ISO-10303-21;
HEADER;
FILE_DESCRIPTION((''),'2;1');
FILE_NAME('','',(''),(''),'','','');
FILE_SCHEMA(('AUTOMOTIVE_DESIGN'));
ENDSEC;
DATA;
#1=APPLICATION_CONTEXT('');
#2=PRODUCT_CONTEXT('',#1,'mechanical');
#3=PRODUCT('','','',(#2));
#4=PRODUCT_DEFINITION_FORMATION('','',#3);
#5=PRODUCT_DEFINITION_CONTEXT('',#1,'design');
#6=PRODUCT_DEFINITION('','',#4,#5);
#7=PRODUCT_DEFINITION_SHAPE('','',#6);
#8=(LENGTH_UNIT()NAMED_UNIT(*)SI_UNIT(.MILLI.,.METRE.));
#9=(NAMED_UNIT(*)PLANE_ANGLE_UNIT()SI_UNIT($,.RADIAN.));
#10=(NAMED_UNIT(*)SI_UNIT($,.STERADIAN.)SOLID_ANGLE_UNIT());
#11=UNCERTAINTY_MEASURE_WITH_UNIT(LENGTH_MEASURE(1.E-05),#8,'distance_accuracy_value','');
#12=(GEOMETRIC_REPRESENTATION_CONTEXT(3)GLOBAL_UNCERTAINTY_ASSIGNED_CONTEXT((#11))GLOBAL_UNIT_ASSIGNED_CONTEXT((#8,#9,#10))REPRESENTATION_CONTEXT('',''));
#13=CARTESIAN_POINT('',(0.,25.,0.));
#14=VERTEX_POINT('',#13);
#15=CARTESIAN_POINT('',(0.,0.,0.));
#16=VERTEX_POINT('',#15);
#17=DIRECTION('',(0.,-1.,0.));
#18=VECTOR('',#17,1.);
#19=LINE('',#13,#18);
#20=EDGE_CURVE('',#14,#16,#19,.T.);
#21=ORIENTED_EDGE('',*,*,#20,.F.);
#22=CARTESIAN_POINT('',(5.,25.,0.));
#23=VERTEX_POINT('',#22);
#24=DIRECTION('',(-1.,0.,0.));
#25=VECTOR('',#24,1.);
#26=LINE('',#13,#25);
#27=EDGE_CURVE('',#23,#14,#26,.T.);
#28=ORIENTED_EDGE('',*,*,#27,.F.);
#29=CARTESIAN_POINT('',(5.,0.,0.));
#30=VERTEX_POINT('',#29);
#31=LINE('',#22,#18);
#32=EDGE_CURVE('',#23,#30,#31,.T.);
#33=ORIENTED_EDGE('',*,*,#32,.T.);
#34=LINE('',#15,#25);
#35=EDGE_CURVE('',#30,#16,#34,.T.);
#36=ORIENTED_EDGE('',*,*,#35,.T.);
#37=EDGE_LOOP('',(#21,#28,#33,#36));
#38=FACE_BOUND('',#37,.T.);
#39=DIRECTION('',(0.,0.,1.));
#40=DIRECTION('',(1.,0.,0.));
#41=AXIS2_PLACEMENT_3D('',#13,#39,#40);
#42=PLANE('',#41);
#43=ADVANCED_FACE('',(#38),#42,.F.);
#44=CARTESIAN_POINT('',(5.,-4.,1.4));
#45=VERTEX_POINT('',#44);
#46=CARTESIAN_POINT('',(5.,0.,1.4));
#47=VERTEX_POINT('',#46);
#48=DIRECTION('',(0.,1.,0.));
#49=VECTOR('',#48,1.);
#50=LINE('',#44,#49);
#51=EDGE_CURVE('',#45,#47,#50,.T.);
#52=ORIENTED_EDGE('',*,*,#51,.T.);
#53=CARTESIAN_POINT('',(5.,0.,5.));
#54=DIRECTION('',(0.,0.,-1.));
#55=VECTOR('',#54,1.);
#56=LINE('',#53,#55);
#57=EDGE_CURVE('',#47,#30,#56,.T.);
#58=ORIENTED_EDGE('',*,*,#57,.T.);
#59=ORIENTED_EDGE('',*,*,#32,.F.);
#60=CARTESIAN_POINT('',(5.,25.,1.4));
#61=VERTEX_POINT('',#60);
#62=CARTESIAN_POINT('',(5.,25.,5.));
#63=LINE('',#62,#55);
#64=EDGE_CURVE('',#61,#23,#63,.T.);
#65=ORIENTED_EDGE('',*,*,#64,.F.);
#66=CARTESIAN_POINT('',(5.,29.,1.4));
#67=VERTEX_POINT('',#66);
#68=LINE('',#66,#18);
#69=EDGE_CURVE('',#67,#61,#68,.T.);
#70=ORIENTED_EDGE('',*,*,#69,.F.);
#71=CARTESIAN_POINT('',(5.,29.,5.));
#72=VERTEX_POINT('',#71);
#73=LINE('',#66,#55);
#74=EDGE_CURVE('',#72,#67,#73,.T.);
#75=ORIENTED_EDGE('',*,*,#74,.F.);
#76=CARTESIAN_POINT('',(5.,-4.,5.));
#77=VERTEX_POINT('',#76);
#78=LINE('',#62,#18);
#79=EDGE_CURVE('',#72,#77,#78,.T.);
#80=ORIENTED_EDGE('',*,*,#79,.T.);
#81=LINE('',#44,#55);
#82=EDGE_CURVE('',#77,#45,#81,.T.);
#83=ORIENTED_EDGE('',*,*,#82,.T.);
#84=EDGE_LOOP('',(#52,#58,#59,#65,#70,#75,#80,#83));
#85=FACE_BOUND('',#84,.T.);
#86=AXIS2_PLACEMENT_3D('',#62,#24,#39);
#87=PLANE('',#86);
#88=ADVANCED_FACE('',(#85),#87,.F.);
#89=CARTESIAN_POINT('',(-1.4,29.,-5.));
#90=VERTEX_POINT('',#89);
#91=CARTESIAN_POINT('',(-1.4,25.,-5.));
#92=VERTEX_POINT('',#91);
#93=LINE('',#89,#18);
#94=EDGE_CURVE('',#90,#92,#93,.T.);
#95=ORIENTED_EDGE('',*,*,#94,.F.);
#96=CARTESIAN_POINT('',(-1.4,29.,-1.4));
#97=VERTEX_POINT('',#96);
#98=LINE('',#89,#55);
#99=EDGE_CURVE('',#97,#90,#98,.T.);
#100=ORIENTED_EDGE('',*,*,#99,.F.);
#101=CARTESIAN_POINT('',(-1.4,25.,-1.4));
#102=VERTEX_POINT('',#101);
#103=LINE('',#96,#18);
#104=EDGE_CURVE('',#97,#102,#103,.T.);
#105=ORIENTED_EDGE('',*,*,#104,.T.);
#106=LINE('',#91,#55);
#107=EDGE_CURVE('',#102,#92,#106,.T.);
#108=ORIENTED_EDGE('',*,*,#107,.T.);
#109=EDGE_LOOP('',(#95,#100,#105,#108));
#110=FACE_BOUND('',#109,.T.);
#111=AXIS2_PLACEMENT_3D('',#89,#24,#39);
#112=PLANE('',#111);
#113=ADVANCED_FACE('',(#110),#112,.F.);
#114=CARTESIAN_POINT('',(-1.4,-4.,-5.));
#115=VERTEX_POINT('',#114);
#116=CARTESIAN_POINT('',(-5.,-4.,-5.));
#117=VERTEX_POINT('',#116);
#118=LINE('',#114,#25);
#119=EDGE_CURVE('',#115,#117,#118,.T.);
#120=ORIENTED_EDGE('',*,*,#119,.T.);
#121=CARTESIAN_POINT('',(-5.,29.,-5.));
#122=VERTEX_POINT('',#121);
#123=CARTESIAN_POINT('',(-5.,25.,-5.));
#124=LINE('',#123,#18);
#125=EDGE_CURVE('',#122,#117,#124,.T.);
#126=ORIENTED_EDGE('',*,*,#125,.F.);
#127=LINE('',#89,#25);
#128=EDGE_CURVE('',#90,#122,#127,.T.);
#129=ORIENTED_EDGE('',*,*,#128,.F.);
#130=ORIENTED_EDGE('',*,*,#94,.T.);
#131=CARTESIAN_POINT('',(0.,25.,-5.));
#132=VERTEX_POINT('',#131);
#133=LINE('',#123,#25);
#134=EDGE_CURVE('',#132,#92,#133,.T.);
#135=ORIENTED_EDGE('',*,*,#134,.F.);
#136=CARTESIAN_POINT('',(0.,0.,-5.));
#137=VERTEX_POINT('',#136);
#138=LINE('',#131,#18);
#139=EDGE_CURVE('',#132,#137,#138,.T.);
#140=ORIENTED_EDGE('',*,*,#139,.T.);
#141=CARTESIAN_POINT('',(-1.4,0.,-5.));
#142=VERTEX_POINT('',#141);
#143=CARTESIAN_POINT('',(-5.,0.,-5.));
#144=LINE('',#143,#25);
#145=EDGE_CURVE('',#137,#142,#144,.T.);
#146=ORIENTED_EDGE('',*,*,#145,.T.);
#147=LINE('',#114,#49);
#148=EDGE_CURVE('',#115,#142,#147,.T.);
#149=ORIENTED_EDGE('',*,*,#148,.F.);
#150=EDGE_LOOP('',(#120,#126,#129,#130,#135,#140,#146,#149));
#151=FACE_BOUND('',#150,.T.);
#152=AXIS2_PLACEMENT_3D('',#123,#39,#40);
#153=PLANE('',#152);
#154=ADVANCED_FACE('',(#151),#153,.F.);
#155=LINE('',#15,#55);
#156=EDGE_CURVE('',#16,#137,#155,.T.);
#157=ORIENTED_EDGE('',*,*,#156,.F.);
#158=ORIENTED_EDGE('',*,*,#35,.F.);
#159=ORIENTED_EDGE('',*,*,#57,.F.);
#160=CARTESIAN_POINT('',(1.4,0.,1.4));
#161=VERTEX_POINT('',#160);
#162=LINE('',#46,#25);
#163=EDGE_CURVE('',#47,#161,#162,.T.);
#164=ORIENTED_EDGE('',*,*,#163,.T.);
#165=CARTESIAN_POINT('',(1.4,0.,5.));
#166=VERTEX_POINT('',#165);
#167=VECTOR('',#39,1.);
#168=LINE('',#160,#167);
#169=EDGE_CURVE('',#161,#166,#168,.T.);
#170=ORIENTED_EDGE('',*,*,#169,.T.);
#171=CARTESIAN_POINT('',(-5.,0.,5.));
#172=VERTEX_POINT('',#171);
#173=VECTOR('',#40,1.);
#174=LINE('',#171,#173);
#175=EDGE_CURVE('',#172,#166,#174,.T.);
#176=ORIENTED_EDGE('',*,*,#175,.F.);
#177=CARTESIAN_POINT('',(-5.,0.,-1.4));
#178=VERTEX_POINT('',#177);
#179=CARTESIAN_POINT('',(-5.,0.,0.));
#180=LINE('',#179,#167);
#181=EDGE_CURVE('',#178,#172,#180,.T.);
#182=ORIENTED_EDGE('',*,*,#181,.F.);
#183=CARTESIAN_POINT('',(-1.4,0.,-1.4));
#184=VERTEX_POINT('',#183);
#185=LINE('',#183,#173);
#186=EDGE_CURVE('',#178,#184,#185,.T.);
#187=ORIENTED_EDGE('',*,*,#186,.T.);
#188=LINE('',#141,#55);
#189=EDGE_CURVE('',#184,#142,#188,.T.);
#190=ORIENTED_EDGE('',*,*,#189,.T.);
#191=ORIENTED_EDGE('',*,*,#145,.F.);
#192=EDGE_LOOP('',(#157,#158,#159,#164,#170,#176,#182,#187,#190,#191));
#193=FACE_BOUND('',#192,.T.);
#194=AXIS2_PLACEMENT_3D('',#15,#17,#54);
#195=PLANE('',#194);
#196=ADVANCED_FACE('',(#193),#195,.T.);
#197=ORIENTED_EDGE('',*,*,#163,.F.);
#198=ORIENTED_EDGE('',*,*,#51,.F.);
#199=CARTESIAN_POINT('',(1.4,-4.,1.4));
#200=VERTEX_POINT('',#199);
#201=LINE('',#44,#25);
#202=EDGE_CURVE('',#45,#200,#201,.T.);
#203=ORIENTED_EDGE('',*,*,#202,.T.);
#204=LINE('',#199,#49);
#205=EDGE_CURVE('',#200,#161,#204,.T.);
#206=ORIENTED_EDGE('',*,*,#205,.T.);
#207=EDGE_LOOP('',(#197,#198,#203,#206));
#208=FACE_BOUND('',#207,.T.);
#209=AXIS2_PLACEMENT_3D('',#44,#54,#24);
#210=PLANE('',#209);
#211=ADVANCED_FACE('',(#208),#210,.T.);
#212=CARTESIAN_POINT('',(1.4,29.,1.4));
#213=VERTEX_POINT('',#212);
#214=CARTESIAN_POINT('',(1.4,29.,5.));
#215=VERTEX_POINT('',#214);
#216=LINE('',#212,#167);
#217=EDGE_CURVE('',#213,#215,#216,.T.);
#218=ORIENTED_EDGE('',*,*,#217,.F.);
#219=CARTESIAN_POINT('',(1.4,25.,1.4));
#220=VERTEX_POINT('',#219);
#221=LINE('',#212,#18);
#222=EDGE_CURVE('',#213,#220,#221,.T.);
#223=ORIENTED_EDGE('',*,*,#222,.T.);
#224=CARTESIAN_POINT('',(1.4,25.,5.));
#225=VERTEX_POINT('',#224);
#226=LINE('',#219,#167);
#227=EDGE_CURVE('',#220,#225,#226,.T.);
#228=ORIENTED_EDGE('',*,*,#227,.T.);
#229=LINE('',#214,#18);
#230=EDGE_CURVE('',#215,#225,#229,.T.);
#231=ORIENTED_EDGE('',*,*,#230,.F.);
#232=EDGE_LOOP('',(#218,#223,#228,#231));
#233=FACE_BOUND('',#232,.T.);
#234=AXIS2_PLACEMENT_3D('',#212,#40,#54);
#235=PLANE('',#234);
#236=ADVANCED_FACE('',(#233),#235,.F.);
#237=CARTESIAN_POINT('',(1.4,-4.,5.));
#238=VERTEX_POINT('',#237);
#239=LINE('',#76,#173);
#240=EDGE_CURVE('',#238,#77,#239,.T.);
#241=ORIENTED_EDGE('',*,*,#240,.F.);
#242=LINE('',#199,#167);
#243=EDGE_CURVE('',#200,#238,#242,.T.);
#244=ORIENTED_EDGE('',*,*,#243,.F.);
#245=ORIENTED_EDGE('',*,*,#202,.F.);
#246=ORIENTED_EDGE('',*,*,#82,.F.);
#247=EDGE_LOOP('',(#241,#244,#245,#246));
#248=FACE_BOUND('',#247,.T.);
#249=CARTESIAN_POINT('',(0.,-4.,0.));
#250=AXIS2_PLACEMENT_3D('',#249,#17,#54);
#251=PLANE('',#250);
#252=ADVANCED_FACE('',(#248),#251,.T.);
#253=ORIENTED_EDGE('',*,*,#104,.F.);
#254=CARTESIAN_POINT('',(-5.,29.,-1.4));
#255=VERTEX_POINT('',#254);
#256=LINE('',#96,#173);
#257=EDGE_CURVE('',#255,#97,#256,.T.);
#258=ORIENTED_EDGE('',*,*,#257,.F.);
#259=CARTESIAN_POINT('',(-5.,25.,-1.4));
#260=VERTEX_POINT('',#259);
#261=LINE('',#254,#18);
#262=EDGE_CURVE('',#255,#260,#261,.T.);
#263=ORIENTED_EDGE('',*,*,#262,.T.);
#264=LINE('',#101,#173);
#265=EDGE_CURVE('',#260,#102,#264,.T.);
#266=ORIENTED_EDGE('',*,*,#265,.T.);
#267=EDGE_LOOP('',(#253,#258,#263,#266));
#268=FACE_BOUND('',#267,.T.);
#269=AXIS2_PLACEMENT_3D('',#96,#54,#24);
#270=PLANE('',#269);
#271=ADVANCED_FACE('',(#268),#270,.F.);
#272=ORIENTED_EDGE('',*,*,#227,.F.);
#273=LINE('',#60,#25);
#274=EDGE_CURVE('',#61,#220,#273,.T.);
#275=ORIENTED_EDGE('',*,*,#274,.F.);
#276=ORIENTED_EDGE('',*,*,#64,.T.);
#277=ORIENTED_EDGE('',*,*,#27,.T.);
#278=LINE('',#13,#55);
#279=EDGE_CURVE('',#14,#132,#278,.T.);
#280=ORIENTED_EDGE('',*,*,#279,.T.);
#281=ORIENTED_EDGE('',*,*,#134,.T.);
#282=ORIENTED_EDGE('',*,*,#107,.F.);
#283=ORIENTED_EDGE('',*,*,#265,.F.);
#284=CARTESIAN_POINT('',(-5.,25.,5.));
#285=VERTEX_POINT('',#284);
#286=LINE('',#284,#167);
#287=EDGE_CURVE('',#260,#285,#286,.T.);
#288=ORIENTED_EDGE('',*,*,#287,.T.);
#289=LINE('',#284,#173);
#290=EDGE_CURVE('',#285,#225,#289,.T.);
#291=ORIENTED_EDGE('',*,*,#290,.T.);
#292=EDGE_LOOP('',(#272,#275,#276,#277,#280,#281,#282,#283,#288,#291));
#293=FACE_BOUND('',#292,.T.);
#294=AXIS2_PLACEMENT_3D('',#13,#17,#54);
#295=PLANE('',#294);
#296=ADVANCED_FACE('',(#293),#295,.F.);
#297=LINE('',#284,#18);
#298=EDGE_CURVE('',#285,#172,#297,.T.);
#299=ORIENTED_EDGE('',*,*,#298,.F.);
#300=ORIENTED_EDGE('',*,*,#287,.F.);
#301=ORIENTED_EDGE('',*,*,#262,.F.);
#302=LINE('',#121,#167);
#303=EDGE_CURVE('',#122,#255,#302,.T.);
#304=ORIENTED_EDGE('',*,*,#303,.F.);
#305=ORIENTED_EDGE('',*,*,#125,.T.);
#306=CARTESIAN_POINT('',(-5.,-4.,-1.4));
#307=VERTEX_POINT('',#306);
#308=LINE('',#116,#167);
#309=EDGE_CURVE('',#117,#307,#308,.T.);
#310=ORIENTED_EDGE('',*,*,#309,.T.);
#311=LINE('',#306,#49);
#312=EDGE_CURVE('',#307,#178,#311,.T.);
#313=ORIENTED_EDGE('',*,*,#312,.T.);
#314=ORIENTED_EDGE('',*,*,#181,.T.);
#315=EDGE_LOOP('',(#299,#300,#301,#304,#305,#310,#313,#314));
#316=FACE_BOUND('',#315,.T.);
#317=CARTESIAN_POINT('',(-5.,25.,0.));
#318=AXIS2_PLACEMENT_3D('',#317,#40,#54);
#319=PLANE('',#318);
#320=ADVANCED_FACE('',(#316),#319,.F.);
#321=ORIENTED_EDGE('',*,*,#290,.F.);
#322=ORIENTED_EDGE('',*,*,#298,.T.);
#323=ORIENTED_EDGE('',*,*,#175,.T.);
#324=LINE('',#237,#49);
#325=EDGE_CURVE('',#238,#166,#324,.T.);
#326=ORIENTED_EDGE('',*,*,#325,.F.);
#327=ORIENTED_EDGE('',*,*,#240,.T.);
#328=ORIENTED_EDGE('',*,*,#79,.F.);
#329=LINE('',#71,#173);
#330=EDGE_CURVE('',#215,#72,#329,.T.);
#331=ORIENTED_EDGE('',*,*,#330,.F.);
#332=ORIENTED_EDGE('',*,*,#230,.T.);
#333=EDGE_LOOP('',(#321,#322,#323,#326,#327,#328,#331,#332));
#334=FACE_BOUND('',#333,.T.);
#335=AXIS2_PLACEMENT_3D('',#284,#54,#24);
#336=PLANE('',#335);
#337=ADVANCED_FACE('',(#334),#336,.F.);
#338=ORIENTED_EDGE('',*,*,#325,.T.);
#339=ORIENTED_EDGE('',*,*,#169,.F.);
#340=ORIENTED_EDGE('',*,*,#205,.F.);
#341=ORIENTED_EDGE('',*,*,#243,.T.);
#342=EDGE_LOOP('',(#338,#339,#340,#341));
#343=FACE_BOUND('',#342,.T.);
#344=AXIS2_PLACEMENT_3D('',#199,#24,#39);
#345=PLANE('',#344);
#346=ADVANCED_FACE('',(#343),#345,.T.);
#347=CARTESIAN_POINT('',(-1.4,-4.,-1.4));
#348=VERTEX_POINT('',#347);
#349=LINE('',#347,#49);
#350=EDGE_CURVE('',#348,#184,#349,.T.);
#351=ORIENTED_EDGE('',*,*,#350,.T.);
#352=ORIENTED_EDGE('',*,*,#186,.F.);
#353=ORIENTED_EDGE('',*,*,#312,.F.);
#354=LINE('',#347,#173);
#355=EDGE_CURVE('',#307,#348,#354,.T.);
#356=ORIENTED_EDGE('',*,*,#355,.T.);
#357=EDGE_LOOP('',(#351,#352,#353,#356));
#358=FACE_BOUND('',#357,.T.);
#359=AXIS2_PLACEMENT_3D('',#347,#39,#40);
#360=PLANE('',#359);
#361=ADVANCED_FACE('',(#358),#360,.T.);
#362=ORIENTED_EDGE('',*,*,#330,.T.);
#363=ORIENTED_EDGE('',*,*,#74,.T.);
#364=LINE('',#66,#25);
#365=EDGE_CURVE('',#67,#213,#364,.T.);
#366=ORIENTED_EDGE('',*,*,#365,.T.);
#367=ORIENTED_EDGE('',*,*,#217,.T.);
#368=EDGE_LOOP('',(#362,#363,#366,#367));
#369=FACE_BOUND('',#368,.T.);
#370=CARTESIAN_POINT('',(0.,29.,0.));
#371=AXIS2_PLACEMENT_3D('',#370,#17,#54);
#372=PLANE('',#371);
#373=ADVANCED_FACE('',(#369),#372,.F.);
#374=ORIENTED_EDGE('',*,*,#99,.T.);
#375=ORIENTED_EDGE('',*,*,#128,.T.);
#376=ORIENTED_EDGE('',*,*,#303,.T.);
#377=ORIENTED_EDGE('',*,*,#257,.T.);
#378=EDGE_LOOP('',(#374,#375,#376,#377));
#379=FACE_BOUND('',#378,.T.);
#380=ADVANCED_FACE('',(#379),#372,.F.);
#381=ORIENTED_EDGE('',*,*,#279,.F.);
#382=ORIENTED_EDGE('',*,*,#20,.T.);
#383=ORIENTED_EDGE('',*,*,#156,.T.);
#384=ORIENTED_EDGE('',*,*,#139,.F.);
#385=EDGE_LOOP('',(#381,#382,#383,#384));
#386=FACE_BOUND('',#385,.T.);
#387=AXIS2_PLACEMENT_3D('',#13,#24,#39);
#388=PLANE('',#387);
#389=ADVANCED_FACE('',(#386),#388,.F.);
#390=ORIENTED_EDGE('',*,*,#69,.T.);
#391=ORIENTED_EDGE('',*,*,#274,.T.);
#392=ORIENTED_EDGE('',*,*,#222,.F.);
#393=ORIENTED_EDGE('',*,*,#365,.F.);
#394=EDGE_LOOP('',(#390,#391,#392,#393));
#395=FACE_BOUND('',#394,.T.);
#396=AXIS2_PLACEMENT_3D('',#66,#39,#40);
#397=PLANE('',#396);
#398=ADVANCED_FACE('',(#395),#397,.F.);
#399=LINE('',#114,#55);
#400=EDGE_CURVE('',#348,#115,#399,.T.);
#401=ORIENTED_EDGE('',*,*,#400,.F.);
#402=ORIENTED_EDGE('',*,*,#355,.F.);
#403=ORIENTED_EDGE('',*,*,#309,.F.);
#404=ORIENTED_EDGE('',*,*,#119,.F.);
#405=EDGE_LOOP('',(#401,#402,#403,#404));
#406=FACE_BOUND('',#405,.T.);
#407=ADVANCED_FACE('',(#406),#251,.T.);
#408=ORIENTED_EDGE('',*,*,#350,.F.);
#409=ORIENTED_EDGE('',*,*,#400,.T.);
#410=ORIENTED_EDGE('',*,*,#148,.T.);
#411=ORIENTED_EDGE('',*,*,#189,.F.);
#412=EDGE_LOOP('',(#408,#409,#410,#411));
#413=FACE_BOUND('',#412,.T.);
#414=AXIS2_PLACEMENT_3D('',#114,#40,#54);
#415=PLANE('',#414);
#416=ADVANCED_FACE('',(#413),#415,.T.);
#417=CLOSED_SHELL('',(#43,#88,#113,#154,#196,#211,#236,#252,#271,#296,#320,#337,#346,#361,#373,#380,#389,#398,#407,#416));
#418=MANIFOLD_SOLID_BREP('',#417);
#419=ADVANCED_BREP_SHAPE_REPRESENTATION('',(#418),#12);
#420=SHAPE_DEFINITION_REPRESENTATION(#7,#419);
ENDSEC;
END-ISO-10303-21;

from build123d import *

# Parameters (mm, degrees)
BOSS_EXTRUDE2_DEPTH = 25
SKETCH13_W          = 3.6
SKETCH13_H          = 3.6
BOSS_EXTRUDE3_DEPTH = 4
SKETCH15_W          = 3.6
SKETCH15_H          = 3.6
BOSS_EXTRUDE4_DEPTH = 4


with BuildPart() as part:
    # Sketch12 → Boss-Extrude2 (new body)
    with BuildSketch(Plane(origin=(0, 0, 0), x_dir=(1, 0, 0), z_dir=(0, 1, 0))):
        Polygon((-5, -5), (5, -5), (5, 0), (0, 0), (0, 5), (-5, 5), (-5, 0), align=None)
    extrude(amount=BOSS_EXTRUDE2_DEPTH)

    # Sketch13 → Boss-Extrude3 (add)
    with BuildSketch(Plane(origin=(0, 0, 0), x_dir=(1, 0, 0), z_dir=(0, 1, 0))):
        with Locations((-3.2, 3.2)):
            Rectangle(SKETCH13_W, SKETCH13_H)
        with Locations((3.2, -3.2)):
            Rectangle(SKETCH13_W, SKETCH13_H)
    extrude(amount=-BOSS_EXTRUDE3_DEPTH)

    # Sketch15 → Boss-Extrude4 (add)
    with BuildSketch(Plane(origin=(0, 25, 0), x_dir=(1, 0, 0), z_dir=(0, 1, 0))):
        with Locations((-3.2, 3.2)):
            Rectangle(SKETCH15_W, SKETCH15_H)
        with Locations((3.2, -3.2)):
            Rectangle(SKETCH15_W, SKETCH15_H)
    extrude(amount=BOSS_EXTRUDE4_DEPTH)


solid = part.part
